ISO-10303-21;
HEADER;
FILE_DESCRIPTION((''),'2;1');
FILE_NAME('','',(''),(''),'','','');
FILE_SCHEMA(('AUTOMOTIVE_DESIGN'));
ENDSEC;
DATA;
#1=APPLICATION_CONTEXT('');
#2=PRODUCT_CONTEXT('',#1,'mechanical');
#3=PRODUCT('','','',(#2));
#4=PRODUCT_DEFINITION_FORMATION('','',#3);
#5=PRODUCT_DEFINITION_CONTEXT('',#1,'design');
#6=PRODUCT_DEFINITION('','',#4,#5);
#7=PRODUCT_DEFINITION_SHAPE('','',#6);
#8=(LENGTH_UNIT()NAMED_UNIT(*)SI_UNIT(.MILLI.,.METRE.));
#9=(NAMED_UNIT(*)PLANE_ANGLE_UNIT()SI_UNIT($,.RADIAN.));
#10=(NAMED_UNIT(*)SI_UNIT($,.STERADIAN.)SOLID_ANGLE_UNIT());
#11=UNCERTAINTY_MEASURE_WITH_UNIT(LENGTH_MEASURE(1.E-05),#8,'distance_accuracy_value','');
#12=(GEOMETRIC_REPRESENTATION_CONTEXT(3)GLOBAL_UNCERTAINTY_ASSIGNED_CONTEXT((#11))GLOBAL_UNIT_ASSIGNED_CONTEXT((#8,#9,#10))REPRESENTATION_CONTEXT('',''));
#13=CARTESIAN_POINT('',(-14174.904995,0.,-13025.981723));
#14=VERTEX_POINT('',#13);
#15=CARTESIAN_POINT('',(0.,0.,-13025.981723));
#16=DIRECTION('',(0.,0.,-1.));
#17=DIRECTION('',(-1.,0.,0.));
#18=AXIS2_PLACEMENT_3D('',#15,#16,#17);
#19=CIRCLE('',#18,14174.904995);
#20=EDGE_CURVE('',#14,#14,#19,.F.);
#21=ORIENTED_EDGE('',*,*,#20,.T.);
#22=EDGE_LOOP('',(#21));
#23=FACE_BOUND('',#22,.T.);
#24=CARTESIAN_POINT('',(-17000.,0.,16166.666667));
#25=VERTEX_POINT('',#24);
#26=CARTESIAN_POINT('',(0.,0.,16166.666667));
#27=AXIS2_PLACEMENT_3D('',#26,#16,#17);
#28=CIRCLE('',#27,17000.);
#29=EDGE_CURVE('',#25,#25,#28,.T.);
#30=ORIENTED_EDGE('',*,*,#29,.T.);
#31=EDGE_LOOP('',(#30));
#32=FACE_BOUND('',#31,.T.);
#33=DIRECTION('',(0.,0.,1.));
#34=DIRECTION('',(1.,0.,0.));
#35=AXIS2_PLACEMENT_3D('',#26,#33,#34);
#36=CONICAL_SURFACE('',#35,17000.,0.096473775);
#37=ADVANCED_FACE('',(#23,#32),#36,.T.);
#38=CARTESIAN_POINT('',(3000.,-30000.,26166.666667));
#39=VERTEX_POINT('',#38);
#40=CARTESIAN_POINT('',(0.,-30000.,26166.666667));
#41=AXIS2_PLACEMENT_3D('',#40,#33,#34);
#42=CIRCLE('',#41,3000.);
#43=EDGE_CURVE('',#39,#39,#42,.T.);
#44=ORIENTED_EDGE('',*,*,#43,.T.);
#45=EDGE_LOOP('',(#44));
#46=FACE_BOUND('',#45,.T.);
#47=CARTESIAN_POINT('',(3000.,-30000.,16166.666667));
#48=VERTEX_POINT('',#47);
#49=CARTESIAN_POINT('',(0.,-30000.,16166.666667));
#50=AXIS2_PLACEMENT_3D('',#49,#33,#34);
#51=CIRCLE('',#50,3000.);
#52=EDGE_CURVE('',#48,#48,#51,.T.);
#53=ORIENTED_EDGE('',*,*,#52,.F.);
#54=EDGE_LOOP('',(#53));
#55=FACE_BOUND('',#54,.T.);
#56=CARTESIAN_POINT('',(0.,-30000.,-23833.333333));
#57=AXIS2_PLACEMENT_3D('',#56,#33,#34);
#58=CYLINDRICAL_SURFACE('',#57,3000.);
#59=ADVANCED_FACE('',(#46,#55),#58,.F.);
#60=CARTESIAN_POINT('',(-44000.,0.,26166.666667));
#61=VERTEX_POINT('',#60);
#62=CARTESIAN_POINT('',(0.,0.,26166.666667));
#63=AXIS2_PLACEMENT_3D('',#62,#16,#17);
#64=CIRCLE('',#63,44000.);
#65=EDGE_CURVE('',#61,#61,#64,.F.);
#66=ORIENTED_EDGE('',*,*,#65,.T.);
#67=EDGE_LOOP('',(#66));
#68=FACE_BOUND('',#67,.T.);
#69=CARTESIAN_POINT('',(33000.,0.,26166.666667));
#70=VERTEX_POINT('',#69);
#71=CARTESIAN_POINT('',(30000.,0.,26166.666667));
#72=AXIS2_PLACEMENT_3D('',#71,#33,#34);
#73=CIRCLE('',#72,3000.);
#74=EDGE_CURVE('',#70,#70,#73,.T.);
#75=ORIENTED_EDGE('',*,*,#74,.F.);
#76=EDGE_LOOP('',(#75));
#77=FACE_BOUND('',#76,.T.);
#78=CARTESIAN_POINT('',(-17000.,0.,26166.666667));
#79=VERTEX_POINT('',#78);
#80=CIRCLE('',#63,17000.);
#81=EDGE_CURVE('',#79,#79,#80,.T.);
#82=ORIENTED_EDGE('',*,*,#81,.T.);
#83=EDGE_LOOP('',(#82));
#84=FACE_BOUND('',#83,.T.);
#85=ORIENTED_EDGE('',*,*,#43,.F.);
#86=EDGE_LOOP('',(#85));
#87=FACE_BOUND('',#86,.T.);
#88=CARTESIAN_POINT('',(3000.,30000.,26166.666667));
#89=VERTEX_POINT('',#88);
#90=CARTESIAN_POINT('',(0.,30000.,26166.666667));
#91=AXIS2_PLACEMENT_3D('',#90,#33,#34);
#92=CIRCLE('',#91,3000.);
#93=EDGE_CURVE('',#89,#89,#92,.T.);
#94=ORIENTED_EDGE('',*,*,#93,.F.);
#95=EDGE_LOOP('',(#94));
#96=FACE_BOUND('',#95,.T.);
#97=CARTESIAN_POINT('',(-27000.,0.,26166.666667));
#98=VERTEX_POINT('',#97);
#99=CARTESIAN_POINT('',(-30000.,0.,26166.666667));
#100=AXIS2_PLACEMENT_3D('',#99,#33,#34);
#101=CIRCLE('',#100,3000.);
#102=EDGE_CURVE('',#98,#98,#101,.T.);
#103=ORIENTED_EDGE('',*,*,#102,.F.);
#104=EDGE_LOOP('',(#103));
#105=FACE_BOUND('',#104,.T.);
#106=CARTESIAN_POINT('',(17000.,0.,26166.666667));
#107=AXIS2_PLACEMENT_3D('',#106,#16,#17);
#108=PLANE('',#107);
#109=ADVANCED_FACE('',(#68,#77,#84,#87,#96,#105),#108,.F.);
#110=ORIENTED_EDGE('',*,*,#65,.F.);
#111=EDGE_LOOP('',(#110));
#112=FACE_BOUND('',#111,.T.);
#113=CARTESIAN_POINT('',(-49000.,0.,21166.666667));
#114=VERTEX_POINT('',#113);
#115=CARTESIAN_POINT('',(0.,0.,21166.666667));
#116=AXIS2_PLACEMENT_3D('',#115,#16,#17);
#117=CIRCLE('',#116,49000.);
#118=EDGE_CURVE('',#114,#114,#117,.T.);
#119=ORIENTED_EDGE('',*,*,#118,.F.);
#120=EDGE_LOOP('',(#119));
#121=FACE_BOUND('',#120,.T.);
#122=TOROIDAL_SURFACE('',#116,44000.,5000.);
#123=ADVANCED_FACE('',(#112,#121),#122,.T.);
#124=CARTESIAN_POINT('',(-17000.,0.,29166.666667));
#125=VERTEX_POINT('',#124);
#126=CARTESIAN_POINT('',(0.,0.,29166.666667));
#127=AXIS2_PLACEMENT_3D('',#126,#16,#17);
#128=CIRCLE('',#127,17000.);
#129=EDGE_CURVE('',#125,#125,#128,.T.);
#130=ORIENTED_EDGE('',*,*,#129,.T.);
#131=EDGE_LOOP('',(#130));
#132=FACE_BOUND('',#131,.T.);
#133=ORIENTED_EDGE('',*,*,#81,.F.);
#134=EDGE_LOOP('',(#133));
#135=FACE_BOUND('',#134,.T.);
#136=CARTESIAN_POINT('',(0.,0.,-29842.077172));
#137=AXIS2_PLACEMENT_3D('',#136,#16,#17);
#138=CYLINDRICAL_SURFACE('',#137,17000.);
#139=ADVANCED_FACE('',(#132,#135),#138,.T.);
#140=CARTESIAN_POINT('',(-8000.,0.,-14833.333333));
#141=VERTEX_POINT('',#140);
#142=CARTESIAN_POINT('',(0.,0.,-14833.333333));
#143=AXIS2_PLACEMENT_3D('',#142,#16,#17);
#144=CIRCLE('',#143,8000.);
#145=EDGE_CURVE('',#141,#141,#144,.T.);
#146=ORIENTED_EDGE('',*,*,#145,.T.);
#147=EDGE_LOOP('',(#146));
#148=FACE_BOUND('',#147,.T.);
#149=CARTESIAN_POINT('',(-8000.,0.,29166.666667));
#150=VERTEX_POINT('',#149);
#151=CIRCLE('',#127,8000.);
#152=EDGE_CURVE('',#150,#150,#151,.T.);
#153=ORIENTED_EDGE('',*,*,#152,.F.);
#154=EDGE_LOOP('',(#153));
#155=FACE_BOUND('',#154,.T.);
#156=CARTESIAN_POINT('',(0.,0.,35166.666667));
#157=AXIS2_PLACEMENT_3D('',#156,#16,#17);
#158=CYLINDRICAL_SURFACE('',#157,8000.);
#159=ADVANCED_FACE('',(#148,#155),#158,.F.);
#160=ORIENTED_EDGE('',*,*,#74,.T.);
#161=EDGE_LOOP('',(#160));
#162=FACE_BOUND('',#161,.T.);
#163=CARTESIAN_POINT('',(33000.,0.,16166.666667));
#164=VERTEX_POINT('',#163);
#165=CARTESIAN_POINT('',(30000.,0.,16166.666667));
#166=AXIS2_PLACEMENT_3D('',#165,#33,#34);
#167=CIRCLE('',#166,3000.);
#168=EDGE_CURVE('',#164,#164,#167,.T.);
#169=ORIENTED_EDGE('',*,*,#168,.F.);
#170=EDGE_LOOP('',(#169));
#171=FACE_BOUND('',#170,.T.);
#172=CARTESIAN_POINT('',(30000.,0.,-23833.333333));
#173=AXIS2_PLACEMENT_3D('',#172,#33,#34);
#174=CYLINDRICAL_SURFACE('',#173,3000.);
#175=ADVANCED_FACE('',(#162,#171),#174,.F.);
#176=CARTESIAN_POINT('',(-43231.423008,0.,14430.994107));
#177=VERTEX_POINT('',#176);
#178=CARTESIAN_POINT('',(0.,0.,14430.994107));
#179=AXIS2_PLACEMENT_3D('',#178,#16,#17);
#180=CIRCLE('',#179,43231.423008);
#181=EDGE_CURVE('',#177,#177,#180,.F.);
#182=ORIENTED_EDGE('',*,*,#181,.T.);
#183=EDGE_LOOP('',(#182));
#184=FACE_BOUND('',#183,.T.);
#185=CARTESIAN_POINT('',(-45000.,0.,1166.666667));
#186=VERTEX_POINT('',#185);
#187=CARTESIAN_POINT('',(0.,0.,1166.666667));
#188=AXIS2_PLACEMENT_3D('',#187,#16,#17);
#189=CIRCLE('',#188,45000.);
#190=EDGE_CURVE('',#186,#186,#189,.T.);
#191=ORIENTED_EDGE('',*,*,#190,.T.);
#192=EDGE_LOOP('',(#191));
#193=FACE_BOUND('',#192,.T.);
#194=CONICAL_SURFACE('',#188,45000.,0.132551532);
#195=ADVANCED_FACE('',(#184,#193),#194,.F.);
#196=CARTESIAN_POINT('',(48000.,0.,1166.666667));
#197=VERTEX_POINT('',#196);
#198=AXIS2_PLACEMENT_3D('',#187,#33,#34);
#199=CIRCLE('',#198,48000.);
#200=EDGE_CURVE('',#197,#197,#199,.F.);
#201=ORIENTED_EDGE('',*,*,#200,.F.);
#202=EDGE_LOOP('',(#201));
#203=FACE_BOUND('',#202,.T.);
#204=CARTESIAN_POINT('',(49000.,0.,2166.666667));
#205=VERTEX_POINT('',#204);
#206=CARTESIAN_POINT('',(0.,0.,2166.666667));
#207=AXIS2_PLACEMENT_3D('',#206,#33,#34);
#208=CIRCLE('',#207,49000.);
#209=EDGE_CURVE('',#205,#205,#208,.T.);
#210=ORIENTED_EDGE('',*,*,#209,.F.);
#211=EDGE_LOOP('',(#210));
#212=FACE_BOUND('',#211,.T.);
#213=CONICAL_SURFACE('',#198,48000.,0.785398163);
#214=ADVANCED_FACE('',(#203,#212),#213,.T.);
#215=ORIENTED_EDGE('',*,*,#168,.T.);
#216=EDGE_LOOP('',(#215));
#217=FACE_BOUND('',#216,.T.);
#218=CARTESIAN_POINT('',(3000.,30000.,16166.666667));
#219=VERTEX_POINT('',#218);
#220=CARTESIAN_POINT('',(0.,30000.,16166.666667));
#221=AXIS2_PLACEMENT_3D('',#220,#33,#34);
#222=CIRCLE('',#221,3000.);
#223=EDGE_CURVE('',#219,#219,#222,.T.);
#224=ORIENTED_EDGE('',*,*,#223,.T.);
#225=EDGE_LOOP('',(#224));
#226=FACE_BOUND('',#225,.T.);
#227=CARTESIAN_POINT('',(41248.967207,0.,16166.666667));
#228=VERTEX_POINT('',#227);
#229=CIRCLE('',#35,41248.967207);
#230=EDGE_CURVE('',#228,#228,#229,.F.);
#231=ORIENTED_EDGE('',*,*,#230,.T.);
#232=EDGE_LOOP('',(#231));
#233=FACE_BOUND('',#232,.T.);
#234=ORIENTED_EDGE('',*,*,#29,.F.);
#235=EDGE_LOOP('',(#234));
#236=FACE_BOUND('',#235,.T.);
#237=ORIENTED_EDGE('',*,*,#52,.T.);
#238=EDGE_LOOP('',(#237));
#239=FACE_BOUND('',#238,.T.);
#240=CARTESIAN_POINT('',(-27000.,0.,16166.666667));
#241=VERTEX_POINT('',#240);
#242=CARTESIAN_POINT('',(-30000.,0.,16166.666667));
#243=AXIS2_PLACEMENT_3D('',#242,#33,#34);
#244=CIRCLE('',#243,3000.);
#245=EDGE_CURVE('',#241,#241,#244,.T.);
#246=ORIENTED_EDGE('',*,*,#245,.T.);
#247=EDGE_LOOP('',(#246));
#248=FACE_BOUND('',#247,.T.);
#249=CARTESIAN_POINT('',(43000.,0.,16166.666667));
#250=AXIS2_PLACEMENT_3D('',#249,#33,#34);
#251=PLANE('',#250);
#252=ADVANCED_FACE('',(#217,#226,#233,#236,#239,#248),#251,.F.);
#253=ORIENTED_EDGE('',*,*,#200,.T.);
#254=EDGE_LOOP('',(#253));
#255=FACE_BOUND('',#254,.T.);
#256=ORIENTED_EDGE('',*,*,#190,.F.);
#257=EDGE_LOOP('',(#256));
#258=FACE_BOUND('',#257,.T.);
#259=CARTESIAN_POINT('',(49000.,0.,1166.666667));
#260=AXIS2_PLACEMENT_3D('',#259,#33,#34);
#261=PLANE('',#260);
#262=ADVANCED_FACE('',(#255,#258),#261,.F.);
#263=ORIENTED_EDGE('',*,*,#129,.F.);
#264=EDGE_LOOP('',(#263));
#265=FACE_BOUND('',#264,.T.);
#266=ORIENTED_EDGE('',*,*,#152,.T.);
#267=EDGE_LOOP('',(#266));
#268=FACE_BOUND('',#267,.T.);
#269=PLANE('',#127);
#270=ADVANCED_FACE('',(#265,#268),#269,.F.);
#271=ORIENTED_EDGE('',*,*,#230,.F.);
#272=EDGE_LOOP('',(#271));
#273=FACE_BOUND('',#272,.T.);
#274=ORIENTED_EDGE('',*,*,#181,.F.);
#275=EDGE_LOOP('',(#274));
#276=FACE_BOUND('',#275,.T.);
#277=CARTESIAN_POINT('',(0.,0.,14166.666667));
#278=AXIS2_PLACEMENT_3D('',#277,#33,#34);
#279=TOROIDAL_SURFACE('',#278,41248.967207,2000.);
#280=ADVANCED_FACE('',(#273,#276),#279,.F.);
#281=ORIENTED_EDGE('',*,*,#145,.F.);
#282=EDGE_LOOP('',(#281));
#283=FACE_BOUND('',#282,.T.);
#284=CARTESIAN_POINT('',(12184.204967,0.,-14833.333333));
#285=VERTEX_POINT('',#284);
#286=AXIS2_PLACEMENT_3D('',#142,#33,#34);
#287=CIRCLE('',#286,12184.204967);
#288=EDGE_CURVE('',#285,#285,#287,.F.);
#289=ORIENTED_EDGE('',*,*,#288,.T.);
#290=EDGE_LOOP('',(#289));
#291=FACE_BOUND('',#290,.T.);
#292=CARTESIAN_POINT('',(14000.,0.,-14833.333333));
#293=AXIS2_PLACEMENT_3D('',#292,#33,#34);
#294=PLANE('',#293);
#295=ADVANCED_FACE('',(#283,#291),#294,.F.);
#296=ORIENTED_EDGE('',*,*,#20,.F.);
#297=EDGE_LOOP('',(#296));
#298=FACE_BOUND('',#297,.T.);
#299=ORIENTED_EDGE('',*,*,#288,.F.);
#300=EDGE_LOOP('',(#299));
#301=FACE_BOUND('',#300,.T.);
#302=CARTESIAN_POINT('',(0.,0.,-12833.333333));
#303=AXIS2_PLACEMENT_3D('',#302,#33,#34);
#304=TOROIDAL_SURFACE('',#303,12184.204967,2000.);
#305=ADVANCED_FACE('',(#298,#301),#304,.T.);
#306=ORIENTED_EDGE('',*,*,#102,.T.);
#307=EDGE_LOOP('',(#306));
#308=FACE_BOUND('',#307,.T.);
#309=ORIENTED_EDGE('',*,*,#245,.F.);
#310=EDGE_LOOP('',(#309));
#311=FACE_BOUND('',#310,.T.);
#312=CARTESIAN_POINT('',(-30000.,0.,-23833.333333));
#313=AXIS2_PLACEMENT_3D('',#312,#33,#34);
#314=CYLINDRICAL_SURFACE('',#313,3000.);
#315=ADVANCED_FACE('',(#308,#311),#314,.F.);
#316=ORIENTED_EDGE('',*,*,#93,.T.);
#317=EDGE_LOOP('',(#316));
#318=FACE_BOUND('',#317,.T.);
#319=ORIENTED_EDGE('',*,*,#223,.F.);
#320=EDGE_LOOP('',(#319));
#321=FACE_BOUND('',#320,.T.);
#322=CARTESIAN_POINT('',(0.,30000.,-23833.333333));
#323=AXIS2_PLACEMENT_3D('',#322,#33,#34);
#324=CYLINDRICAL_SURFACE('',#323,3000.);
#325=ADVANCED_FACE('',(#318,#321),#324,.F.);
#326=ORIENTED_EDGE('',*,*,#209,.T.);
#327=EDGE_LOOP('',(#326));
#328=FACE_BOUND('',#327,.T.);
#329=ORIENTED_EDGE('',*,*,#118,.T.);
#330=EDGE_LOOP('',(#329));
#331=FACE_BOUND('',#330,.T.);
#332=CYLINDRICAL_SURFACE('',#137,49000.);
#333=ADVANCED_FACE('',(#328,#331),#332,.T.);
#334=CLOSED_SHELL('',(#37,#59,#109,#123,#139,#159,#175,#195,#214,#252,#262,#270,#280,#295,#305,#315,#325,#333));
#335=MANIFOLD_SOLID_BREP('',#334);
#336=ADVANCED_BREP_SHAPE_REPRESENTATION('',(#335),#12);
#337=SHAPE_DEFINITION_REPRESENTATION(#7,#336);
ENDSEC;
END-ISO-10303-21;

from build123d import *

# Parameters (mm, degrees)
SKETCH2_R          = 8000
CUT_EXTRUDE1_DEPTH = 50000
SKETCH4_R          = 3000
CUT_EXTRUDE2_DEPTH = 50000
FILLET3_R          = 5000
FILLET4_R          = 2000
FILLET5_R          = 2000
CHAMFER1_SIZE      = 1000


with BuildPart() as part:
    # Sketch1 → Revolve1 (revolve)
    with BuildSketch(Plane(origin=(0, 0, 0), x_dir=(1, 0, 0), z_dir=(0, 1, 0))):
        Polygon((0, -29166.666666667), (17000, -29166.666666667), (17000, -26166.666666667), (49000, -26166.666666667), (49000, -1166.666666667), (45000, -1166.666666667), (43000, -16166.666666667), (17000, -16166.666666667), (14000, 14833.333333333), (0, 14833.333333333), align=None)
    revolve(axis=Axis((0, 0, -29842.077171976), (0, 0, 1)))

    # Sketch2 → Cut-Extrude1 (cut)
    with BuildSketch(Plane(origin=(0, 0, -14833.333333333), x_dir=(-1, 0, 0), z_dir=(0, 0, -1))):
        Circle(SKETCH2_R)
    extrude(amount=-CUT_EXTRUDE1_DEPTH, mode=Mode.SUBTRACT)

    # Sketch4 → Cut-Extrude2 (cut)
    with BuildSketch(Plane.XY.offset(26166.666666667)):
        with Locations((0, 30000)):
            Circle(SKETCH4_R)
        with Locations((30000, 0)):
            Circle(SKETCH4_R)
        with Locations((0, -30000)):
            Circle(SKETCH4_R)
        with Locations((-30000, 0)):
            Circle(SKETCH4_R)
    extrude(amount=-CUT_EXTRUDE2_DEPTH, mode=Mode.SUBTRACT)

    # Fillet3
    fillet3_edges = [part.edges().sort_by_distance(p)[0] for p in [
        (-49000, 0, 26166.666666667),
    ]]
    fillet(fillet3_edges, radius=FILLET3_R)

    # Fillet4
    fillet4_edges = [part.edges().sort_by_distance(p)[0] for p in [
        (-43000, 0, 16166.666666667),
    ]]
    fillet(fillet4_edges, radius=FILLET4_R)

    # Fillet5
    fillet5_edges = [part.edges().sort_by_distance(p)[0] for p in [
        (-14000, 0, -14833.333333333),
    ]]
    fillet(fillet5_edges, radius=FILLET5_R)

    # Chamfer1
    chamfer1_edges = [part.edges().sort_by_distance(p)[0] for p in [
        (-49000, 0, 1166.666666667),
    ]]
    chamfer(chamfer1_edges, length=CHAMFER1_SIZE)


solid = part.part
